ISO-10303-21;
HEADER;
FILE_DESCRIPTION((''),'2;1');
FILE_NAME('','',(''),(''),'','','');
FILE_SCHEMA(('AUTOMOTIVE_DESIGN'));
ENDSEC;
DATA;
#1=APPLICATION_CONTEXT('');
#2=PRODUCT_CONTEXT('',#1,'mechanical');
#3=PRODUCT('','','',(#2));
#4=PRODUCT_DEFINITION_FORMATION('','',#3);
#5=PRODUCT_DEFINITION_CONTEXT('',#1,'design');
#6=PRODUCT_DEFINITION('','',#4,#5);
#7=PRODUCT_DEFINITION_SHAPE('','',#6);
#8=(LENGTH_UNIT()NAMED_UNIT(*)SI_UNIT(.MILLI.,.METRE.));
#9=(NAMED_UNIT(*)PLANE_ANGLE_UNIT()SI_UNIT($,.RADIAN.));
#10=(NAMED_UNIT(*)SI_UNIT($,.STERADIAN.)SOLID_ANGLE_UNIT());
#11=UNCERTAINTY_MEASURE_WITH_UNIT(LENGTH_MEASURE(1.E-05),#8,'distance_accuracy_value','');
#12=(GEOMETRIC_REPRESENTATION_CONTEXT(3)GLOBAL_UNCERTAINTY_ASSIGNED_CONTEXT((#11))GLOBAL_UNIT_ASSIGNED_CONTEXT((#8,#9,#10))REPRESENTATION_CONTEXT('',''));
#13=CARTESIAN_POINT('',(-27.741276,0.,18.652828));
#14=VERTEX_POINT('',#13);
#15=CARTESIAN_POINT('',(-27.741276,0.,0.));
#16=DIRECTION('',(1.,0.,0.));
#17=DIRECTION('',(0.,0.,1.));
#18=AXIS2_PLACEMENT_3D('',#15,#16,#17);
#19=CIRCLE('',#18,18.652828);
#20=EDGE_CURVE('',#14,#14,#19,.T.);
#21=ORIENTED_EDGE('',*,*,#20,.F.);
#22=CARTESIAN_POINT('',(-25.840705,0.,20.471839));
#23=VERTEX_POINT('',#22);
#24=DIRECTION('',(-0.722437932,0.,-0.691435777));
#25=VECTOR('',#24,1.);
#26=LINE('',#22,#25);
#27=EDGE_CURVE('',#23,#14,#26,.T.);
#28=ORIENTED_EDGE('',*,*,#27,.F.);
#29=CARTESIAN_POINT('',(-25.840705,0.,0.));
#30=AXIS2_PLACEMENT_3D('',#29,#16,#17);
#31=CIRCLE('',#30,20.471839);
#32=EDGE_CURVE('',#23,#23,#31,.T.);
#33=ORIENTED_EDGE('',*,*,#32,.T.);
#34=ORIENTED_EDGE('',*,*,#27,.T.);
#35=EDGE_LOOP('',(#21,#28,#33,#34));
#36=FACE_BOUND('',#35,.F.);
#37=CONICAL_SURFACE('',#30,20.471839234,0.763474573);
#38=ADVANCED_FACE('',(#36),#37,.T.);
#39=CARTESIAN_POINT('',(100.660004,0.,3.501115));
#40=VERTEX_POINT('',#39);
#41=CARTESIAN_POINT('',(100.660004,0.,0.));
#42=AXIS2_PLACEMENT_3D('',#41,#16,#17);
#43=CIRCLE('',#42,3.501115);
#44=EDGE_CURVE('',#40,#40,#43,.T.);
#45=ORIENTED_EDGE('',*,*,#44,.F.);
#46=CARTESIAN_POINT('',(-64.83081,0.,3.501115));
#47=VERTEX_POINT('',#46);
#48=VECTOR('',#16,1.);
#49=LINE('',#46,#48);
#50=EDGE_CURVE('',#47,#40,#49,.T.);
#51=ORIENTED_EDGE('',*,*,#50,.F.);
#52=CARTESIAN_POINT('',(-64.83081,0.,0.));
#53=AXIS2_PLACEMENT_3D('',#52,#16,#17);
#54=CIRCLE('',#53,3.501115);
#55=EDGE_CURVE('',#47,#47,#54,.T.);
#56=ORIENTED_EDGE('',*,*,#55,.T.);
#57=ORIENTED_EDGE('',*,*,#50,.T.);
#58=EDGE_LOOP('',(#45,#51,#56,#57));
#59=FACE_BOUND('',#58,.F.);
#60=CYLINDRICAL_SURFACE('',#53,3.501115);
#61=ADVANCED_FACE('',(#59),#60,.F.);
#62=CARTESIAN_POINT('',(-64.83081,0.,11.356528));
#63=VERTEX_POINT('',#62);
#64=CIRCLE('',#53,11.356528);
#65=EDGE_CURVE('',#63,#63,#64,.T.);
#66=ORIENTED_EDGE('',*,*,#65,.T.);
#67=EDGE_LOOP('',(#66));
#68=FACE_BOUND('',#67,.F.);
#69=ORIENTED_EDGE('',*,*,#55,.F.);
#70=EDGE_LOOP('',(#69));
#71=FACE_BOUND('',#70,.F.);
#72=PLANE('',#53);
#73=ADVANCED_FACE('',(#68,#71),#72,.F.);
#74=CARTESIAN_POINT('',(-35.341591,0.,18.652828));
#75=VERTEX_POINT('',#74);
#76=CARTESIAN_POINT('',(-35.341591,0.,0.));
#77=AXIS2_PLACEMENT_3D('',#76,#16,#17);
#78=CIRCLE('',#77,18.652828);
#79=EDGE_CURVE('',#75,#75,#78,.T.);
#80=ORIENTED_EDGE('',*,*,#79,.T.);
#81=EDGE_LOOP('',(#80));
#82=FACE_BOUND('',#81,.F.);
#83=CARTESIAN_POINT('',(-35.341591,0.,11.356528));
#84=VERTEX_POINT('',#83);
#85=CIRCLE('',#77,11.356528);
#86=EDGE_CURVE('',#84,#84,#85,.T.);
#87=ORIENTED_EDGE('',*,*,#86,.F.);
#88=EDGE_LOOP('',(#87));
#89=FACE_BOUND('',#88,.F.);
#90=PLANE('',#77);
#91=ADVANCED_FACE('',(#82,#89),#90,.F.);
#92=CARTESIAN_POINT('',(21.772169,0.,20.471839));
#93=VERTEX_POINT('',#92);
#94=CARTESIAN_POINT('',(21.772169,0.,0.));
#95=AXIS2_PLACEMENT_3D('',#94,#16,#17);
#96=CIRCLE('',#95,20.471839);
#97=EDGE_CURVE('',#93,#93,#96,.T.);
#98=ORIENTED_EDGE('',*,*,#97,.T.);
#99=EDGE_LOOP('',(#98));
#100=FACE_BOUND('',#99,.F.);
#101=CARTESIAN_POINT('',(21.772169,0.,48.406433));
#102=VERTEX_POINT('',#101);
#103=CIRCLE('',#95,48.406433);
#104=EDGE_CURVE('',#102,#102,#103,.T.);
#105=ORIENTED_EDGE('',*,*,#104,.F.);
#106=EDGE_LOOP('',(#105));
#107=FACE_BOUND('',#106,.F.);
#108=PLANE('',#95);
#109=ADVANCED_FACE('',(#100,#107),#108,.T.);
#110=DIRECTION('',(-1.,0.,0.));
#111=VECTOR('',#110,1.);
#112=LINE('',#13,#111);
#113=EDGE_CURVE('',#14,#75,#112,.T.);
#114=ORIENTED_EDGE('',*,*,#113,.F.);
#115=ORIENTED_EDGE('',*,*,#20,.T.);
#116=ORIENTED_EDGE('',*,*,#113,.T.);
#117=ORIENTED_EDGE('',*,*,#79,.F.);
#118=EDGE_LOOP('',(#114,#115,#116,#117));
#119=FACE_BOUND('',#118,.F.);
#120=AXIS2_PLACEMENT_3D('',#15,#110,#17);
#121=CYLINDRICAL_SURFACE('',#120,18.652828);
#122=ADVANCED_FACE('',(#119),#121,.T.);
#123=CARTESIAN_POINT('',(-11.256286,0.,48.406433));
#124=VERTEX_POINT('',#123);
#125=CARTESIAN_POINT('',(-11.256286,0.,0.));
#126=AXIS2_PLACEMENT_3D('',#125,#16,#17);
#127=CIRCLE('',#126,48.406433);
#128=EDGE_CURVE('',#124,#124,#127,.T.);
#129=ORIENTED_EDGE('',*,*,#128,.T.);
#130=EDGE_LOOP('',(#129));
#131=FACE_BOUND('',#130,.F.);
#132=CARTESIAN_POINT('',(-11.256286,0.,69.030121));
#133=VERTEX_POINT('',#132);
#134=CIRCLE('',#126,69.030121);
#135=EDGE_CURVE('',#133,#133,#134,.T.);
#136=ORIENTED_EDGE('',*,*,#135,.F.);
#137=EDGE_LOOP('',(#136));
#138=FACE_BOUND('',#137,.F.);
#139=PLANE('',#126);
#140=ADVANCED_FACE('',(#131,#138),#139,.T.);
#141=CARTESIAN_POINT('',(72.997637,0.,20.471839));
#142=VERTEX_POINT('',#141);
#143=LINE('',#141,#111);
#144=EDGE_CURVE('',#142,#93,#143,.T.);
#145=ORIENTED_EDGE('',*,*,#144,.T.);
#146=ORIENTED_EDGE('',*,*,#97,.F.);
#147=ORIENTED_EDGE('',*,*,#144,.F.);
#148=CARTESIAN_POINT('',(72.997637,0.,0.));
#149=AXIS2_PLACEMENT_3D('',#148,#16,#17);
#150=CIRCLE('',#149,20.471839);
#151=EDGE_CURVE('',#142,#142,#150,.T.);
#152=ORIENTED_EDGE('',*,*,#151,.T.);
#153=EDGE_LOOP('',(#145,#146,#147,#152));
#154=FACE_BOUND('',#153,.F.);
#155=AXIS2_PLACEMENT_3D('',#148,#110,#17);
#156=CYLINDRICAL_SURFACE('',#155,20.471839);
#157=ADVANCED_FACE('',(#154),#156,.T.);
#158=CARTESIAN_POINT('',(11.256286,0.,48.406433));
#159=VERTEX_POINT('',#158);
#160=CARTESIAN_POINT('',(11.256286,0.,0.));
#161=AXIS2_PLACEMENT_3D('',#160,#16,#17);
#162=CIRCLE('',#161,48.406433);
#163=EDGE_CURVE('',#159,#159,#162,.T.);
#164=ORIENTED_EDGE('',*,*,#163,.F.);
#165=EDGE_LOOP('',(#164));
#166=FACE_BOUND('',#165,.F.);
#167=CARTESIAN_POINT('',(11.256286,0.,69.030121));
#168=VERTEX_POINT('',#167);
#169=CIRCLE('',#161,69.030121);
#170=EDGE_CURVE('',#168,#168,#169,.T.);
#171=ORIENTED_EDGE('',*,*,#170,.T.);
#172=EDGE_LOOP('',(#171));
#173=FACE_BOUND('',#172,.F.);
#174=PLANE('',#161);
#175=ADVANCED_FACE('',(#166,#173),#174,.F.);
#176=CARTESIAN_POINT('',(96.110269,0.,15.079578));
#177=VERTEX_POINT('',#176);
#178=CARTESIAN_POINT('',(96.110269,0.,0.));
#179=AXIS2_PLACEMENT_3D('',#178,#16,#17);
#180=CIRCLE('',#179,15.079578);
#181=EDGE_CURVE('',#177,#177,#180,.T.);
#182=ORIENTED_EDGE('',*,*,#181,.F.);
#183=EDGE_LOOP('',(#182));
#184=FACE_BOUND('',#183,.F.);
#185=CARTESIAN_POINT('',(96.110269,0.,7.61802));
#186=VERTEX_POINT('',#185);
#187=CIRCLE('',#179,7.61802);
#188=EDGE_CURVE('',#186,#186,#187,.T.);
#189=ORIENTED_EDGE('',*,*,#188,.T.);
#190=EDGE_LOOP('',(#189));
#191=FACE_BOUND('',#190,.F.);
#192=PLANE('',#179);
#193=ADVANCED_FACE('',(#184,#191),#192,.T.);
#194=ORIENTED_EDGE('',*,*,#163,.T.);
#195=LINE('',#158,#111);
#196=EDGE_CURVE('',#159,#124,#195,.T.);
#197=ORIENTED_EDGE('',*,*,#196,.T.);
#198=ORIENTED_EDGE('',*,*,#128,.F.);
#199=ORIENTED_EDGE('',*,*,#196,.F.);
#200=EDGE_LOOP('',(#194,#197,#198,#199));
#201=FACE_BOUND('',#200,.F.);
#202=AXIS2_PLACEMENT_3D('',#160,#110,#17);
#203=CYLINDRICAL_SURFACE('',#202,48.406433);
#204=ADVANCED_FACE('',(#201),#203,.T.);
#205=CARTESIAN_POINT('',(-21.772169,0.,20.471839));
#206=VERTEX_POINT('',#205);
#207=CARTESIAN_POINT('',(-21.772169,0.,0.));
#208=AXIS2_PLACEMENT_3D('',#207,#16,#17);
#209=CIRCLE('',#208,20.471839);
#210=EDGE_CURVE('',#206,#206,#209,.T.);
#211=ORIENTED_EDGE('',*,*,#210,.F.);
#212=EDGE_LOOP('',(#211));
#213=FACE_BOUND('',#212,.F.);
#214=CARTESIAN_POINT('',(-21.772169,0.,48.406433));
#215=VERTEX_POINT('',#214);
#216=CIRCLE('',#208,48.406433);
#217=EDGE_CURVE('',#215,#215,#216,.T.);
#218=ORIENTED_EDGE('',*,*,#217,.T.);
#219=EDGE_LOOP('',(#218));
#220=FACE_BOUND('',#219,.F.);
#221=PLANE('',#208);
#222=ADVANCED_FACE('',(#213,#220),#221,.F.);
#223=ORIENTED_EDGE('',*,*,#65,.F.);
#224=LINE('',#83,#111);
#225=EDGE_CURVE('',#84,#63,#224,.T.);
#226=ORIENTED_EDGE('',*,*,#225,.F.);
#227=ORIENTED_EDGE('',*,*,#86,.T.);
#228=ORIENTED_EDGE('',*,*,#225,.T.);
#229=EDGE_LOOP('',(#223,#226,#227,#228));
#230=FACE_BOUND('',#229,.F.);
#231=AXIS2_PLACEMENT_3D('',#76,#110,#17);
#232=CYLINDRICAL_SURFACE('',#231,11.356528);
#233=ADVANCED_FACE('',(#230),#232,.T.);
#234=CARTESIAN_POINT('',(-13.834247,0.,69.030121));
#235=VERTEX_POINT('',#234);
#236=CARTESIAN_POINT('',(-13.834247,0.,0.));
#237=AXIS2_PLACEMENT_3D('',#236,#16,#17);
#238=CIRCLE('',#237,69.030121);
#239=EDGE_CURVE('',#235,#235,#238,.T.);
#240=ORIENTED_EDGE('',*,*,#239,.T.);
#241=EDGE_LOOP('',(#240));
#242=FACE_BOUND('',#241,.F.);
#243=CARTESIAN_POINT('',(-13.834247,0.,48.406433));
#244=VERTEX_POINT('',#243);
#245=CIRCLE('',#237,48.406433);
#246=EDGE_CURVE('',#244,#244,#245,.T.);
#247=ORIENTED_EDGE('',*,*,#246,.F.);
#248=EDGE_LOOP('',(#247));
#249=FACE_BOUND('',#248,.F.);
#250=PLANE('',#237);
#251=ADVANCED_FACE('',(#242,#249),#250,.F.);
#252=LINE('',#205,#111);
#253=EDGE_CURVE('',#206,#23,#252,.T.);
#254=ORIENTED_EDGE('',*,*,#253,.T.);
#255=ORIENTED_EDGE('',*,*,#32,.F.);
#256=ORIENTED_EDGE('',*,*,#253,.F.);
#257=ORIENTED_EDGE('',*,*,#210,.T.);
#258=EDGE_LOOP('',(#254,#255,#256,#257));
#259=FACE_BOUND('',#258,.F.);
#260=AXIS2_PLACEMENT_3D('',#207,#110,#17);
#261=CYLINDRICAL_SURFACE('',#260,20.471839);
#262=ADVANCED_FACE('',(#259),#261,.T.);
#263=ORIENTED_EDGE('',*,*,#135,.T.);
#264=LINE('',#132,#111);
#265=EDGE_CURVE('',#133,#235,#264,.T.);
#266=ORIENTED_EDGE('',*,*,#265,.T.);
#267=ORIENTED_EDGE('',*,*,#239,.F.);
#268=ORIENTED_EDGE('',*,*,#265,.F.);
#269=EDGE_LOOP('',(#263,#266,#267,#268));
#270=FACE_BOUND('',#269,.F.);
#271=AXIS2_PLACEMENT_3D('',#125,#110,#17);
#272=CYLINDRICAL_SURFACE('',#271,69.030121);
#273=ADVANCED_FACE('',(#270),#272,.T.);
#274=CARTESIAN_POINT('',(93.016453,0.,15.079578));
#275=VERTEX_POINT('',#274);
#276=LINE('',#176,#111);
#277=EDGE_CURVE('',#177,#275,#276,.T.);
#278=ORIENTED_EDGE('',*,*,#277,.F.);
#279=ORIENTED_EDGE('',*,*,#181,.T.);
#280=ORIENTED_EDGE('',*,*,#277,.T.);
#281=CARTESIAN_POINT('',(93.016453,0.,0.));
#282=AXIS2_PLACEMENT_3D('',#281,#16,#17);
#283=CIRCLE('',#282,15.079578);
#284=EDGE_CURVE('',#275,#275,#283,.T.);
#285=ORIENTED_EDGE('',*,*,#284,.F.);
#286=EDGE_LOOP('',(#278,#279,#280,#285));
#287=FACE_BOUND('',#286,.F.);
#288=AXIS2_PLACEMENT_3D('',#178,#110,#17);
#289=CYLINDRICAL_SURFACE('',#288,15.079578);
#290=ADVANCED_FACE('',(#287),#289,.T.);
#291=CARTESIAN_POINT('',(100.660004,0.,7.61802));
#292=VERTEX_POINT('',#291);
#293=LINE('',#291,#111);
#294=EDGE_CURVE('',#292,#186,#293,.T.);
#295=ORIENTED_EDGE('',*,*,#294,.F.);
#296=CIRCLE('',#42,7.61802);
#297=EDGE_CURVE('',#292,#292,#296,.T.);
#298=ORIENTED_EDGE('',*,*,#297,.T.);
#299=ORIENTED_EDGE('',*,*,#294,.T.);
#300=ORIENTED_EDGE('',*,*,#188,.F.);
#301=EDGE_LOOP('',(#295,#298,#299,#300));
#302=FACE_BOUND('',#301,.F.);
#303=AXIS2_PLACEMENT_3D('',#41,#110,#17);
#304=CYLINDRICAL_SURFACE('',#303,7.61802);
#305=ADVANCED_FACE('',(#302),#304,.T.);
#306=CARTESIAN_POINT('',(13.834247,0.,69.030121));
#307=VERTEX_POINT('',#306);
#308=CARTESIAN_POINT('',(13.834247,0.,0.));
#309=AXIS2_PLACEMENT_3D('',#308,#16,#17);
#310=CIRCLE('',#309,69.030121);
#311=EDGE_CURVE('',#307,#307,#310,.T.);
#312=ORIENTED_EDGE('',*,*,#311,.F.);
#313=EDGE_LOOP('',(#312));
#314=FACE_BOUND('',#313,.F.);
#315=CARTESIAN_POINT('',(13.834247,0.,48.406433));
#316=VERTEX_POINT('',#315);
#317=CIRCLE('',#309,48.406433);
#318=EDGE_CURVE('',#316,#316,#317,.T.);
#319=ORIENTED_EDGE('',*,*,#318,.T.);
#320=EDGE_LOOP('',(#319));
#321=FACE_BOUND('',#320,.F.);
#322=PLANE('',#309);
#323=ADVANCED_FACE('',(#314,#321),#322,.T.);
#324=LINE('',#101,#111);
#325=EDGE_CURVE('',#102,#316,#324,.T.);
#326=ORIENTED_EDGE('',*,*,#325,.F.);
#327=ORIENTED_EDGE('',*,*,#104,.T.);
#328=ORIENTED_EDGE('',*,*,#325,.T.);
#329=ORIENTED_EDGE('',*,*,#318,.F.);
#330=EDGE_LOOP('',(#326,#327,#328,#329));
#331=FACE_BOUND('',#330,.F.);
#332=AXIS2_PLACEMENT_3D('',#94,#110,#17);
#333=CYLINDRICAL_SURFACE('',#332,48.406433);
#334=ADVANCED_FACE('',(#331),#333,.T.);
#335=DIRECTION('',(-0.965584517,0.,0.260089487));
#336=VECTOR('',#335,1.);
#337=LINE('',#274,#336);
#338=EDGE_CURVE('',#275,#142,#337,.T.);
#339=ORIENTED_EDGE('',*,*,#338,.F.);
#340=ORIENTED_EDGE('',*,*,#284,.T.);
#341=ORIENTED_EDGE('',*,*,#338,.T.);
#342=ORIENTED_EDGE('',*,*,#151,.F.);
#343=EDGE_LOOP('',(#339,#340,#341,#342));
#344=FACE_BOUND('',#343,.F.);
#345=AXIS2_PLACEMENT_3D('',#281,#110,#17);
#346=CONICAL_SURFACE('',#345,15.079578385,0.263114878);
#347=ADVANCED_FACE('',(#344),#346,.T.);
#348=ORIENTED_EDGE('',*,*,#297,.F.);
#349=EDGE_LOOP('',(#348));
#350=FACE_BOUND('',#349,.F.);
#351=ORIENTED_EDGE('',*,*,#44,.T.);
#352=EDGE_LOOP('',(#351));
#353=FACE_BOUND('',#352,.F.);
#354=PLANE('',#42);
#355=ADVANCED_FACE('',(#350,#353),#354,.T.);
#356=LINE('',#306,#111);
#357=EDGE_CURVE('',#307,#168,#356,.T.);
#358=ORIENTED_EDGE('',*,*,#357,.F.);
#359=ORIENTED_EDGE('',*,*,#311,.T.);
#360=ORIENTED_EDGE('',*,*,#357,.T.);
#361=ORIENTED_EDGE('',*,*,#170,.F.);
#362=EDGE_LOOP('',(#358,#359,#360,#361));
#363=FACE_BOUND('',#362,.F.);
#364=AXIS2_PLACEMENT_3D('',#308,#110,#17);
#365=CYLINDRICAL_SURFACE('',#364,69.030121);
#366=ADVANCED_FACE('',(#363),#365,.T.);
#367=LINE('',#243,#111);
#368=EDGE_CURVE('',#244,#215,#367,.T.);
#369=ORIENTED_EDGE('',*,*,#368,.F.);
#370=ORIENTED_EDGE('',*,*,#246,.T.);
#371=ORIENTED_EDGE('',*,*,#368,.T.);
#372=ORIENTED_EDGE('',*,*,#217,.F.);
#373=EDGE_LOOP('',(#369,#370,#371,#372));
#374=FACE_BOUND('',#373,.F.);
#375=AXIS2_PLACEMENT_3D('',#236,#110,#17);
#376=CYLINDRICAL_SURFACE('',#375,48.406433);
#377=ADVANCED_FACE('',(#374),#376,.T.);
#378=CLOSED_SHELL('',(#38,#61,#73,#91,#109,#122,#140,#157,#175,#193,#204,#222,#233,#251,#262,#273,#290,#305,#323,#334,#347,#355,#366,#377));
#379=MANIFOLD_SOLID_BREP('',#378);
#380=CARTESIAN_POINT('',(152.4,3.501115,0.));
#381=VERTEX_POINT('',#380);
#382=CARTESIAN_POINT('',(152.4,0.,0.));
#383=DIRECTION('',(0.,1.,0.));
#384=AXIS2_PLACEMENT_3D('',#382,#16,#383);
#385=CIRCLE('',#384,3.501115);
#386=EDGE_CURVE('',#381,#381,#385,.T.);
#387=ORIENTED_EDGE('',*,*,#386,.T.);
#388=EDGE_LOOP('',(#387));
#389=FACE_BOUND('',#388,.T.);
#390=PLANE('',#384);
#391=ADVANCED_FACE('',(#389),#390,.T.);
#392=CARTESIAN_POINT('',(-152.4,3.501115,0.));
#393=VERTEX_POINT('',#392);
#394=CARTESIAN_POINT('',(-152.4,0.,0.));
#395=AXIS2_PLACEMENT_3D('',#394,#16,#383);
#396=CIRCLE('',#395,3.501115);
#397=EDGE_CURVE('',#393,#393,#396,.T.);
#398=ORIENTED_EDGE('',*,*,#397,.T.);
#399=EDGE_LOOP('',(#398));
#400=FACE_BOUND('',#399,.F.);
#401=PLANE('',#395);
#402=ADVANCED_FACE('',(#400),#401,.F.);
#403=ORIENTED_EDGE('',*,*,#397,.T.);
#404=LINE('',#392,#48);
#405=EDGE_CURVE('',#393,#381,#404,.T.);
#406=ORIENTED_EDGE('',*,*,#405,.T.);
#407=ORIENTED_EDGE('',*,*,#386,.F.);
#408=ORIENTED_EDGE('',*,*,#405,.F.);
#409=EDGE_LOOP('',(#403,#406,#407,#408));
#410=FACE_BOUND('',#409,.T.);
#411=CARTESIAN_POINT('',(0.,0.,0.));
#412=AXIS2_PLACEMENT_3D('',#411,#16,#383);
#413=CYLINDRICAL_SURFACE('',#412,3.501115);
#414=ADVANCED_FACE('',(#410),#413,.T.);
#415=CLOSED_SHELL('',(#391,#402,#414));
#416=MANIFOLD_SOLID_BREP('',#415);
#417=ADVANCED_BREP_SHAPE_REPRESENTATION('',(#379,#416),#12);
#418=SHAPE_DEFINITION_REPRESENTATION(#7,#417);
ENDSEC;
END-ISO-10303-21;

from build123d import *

# Parameters (mm, degrees)
F0_R     = 3.5011154356
F1_DEPTH = 152.4


with BuildPart() as f1:
    # F0 (on Right) → F1 (new body, symmetric)
    with BuildSketch(Plane.YZ):
        Circle(F0_R)
    extrude(amount=F1_DEPTH, both=True)


with BuildPart() as f3:
    # F2 (on Front) → F3 (revolve)
    with BuildSketch(Plane.XZ):
        Polygon((-64.8308098316, 11.3565279171), (-64.8308098316, 3.5011154356), (100.6600037217, 3.5011154356), (100.6600037217, 7.618019823), (96.1102694273, 7.618019823), (96.1102694273, 15.0795783848), (93.0164530873, 15.0795783848), (72.9976370931, 20.4718392342), (21.7721685767, 20.4718392342), (21.7721685767, 48.4064333141), (13.8342473656, 48.4064333141), (13.8342473656, 69.0301209688), (11.2562859431, 69.0301209688), (11.2562859431, 48.4064333141), (0, 48.4064333141), (-11.2562859431, 48.4064333141), (-11.2562859431, 69.0301209688), (-13.8342473656, 69.0301209688), (-13.8342473656, 48.4064333141), (-21.7721685767, 48.4064333141), (-21.7721685767, 20.4718392342), (-25.8407052606, 20.4718392342), (-27.7412757277, 18.6528284103), (-35.3415906429, 18.6528284103), (-35.3415906429, 11.3565279171), align=None)
    revolve(axis=Axis((88.1642699242, 0, 0), (1, 0, 0)))


solid = Compound([f1.part, f3.part])
